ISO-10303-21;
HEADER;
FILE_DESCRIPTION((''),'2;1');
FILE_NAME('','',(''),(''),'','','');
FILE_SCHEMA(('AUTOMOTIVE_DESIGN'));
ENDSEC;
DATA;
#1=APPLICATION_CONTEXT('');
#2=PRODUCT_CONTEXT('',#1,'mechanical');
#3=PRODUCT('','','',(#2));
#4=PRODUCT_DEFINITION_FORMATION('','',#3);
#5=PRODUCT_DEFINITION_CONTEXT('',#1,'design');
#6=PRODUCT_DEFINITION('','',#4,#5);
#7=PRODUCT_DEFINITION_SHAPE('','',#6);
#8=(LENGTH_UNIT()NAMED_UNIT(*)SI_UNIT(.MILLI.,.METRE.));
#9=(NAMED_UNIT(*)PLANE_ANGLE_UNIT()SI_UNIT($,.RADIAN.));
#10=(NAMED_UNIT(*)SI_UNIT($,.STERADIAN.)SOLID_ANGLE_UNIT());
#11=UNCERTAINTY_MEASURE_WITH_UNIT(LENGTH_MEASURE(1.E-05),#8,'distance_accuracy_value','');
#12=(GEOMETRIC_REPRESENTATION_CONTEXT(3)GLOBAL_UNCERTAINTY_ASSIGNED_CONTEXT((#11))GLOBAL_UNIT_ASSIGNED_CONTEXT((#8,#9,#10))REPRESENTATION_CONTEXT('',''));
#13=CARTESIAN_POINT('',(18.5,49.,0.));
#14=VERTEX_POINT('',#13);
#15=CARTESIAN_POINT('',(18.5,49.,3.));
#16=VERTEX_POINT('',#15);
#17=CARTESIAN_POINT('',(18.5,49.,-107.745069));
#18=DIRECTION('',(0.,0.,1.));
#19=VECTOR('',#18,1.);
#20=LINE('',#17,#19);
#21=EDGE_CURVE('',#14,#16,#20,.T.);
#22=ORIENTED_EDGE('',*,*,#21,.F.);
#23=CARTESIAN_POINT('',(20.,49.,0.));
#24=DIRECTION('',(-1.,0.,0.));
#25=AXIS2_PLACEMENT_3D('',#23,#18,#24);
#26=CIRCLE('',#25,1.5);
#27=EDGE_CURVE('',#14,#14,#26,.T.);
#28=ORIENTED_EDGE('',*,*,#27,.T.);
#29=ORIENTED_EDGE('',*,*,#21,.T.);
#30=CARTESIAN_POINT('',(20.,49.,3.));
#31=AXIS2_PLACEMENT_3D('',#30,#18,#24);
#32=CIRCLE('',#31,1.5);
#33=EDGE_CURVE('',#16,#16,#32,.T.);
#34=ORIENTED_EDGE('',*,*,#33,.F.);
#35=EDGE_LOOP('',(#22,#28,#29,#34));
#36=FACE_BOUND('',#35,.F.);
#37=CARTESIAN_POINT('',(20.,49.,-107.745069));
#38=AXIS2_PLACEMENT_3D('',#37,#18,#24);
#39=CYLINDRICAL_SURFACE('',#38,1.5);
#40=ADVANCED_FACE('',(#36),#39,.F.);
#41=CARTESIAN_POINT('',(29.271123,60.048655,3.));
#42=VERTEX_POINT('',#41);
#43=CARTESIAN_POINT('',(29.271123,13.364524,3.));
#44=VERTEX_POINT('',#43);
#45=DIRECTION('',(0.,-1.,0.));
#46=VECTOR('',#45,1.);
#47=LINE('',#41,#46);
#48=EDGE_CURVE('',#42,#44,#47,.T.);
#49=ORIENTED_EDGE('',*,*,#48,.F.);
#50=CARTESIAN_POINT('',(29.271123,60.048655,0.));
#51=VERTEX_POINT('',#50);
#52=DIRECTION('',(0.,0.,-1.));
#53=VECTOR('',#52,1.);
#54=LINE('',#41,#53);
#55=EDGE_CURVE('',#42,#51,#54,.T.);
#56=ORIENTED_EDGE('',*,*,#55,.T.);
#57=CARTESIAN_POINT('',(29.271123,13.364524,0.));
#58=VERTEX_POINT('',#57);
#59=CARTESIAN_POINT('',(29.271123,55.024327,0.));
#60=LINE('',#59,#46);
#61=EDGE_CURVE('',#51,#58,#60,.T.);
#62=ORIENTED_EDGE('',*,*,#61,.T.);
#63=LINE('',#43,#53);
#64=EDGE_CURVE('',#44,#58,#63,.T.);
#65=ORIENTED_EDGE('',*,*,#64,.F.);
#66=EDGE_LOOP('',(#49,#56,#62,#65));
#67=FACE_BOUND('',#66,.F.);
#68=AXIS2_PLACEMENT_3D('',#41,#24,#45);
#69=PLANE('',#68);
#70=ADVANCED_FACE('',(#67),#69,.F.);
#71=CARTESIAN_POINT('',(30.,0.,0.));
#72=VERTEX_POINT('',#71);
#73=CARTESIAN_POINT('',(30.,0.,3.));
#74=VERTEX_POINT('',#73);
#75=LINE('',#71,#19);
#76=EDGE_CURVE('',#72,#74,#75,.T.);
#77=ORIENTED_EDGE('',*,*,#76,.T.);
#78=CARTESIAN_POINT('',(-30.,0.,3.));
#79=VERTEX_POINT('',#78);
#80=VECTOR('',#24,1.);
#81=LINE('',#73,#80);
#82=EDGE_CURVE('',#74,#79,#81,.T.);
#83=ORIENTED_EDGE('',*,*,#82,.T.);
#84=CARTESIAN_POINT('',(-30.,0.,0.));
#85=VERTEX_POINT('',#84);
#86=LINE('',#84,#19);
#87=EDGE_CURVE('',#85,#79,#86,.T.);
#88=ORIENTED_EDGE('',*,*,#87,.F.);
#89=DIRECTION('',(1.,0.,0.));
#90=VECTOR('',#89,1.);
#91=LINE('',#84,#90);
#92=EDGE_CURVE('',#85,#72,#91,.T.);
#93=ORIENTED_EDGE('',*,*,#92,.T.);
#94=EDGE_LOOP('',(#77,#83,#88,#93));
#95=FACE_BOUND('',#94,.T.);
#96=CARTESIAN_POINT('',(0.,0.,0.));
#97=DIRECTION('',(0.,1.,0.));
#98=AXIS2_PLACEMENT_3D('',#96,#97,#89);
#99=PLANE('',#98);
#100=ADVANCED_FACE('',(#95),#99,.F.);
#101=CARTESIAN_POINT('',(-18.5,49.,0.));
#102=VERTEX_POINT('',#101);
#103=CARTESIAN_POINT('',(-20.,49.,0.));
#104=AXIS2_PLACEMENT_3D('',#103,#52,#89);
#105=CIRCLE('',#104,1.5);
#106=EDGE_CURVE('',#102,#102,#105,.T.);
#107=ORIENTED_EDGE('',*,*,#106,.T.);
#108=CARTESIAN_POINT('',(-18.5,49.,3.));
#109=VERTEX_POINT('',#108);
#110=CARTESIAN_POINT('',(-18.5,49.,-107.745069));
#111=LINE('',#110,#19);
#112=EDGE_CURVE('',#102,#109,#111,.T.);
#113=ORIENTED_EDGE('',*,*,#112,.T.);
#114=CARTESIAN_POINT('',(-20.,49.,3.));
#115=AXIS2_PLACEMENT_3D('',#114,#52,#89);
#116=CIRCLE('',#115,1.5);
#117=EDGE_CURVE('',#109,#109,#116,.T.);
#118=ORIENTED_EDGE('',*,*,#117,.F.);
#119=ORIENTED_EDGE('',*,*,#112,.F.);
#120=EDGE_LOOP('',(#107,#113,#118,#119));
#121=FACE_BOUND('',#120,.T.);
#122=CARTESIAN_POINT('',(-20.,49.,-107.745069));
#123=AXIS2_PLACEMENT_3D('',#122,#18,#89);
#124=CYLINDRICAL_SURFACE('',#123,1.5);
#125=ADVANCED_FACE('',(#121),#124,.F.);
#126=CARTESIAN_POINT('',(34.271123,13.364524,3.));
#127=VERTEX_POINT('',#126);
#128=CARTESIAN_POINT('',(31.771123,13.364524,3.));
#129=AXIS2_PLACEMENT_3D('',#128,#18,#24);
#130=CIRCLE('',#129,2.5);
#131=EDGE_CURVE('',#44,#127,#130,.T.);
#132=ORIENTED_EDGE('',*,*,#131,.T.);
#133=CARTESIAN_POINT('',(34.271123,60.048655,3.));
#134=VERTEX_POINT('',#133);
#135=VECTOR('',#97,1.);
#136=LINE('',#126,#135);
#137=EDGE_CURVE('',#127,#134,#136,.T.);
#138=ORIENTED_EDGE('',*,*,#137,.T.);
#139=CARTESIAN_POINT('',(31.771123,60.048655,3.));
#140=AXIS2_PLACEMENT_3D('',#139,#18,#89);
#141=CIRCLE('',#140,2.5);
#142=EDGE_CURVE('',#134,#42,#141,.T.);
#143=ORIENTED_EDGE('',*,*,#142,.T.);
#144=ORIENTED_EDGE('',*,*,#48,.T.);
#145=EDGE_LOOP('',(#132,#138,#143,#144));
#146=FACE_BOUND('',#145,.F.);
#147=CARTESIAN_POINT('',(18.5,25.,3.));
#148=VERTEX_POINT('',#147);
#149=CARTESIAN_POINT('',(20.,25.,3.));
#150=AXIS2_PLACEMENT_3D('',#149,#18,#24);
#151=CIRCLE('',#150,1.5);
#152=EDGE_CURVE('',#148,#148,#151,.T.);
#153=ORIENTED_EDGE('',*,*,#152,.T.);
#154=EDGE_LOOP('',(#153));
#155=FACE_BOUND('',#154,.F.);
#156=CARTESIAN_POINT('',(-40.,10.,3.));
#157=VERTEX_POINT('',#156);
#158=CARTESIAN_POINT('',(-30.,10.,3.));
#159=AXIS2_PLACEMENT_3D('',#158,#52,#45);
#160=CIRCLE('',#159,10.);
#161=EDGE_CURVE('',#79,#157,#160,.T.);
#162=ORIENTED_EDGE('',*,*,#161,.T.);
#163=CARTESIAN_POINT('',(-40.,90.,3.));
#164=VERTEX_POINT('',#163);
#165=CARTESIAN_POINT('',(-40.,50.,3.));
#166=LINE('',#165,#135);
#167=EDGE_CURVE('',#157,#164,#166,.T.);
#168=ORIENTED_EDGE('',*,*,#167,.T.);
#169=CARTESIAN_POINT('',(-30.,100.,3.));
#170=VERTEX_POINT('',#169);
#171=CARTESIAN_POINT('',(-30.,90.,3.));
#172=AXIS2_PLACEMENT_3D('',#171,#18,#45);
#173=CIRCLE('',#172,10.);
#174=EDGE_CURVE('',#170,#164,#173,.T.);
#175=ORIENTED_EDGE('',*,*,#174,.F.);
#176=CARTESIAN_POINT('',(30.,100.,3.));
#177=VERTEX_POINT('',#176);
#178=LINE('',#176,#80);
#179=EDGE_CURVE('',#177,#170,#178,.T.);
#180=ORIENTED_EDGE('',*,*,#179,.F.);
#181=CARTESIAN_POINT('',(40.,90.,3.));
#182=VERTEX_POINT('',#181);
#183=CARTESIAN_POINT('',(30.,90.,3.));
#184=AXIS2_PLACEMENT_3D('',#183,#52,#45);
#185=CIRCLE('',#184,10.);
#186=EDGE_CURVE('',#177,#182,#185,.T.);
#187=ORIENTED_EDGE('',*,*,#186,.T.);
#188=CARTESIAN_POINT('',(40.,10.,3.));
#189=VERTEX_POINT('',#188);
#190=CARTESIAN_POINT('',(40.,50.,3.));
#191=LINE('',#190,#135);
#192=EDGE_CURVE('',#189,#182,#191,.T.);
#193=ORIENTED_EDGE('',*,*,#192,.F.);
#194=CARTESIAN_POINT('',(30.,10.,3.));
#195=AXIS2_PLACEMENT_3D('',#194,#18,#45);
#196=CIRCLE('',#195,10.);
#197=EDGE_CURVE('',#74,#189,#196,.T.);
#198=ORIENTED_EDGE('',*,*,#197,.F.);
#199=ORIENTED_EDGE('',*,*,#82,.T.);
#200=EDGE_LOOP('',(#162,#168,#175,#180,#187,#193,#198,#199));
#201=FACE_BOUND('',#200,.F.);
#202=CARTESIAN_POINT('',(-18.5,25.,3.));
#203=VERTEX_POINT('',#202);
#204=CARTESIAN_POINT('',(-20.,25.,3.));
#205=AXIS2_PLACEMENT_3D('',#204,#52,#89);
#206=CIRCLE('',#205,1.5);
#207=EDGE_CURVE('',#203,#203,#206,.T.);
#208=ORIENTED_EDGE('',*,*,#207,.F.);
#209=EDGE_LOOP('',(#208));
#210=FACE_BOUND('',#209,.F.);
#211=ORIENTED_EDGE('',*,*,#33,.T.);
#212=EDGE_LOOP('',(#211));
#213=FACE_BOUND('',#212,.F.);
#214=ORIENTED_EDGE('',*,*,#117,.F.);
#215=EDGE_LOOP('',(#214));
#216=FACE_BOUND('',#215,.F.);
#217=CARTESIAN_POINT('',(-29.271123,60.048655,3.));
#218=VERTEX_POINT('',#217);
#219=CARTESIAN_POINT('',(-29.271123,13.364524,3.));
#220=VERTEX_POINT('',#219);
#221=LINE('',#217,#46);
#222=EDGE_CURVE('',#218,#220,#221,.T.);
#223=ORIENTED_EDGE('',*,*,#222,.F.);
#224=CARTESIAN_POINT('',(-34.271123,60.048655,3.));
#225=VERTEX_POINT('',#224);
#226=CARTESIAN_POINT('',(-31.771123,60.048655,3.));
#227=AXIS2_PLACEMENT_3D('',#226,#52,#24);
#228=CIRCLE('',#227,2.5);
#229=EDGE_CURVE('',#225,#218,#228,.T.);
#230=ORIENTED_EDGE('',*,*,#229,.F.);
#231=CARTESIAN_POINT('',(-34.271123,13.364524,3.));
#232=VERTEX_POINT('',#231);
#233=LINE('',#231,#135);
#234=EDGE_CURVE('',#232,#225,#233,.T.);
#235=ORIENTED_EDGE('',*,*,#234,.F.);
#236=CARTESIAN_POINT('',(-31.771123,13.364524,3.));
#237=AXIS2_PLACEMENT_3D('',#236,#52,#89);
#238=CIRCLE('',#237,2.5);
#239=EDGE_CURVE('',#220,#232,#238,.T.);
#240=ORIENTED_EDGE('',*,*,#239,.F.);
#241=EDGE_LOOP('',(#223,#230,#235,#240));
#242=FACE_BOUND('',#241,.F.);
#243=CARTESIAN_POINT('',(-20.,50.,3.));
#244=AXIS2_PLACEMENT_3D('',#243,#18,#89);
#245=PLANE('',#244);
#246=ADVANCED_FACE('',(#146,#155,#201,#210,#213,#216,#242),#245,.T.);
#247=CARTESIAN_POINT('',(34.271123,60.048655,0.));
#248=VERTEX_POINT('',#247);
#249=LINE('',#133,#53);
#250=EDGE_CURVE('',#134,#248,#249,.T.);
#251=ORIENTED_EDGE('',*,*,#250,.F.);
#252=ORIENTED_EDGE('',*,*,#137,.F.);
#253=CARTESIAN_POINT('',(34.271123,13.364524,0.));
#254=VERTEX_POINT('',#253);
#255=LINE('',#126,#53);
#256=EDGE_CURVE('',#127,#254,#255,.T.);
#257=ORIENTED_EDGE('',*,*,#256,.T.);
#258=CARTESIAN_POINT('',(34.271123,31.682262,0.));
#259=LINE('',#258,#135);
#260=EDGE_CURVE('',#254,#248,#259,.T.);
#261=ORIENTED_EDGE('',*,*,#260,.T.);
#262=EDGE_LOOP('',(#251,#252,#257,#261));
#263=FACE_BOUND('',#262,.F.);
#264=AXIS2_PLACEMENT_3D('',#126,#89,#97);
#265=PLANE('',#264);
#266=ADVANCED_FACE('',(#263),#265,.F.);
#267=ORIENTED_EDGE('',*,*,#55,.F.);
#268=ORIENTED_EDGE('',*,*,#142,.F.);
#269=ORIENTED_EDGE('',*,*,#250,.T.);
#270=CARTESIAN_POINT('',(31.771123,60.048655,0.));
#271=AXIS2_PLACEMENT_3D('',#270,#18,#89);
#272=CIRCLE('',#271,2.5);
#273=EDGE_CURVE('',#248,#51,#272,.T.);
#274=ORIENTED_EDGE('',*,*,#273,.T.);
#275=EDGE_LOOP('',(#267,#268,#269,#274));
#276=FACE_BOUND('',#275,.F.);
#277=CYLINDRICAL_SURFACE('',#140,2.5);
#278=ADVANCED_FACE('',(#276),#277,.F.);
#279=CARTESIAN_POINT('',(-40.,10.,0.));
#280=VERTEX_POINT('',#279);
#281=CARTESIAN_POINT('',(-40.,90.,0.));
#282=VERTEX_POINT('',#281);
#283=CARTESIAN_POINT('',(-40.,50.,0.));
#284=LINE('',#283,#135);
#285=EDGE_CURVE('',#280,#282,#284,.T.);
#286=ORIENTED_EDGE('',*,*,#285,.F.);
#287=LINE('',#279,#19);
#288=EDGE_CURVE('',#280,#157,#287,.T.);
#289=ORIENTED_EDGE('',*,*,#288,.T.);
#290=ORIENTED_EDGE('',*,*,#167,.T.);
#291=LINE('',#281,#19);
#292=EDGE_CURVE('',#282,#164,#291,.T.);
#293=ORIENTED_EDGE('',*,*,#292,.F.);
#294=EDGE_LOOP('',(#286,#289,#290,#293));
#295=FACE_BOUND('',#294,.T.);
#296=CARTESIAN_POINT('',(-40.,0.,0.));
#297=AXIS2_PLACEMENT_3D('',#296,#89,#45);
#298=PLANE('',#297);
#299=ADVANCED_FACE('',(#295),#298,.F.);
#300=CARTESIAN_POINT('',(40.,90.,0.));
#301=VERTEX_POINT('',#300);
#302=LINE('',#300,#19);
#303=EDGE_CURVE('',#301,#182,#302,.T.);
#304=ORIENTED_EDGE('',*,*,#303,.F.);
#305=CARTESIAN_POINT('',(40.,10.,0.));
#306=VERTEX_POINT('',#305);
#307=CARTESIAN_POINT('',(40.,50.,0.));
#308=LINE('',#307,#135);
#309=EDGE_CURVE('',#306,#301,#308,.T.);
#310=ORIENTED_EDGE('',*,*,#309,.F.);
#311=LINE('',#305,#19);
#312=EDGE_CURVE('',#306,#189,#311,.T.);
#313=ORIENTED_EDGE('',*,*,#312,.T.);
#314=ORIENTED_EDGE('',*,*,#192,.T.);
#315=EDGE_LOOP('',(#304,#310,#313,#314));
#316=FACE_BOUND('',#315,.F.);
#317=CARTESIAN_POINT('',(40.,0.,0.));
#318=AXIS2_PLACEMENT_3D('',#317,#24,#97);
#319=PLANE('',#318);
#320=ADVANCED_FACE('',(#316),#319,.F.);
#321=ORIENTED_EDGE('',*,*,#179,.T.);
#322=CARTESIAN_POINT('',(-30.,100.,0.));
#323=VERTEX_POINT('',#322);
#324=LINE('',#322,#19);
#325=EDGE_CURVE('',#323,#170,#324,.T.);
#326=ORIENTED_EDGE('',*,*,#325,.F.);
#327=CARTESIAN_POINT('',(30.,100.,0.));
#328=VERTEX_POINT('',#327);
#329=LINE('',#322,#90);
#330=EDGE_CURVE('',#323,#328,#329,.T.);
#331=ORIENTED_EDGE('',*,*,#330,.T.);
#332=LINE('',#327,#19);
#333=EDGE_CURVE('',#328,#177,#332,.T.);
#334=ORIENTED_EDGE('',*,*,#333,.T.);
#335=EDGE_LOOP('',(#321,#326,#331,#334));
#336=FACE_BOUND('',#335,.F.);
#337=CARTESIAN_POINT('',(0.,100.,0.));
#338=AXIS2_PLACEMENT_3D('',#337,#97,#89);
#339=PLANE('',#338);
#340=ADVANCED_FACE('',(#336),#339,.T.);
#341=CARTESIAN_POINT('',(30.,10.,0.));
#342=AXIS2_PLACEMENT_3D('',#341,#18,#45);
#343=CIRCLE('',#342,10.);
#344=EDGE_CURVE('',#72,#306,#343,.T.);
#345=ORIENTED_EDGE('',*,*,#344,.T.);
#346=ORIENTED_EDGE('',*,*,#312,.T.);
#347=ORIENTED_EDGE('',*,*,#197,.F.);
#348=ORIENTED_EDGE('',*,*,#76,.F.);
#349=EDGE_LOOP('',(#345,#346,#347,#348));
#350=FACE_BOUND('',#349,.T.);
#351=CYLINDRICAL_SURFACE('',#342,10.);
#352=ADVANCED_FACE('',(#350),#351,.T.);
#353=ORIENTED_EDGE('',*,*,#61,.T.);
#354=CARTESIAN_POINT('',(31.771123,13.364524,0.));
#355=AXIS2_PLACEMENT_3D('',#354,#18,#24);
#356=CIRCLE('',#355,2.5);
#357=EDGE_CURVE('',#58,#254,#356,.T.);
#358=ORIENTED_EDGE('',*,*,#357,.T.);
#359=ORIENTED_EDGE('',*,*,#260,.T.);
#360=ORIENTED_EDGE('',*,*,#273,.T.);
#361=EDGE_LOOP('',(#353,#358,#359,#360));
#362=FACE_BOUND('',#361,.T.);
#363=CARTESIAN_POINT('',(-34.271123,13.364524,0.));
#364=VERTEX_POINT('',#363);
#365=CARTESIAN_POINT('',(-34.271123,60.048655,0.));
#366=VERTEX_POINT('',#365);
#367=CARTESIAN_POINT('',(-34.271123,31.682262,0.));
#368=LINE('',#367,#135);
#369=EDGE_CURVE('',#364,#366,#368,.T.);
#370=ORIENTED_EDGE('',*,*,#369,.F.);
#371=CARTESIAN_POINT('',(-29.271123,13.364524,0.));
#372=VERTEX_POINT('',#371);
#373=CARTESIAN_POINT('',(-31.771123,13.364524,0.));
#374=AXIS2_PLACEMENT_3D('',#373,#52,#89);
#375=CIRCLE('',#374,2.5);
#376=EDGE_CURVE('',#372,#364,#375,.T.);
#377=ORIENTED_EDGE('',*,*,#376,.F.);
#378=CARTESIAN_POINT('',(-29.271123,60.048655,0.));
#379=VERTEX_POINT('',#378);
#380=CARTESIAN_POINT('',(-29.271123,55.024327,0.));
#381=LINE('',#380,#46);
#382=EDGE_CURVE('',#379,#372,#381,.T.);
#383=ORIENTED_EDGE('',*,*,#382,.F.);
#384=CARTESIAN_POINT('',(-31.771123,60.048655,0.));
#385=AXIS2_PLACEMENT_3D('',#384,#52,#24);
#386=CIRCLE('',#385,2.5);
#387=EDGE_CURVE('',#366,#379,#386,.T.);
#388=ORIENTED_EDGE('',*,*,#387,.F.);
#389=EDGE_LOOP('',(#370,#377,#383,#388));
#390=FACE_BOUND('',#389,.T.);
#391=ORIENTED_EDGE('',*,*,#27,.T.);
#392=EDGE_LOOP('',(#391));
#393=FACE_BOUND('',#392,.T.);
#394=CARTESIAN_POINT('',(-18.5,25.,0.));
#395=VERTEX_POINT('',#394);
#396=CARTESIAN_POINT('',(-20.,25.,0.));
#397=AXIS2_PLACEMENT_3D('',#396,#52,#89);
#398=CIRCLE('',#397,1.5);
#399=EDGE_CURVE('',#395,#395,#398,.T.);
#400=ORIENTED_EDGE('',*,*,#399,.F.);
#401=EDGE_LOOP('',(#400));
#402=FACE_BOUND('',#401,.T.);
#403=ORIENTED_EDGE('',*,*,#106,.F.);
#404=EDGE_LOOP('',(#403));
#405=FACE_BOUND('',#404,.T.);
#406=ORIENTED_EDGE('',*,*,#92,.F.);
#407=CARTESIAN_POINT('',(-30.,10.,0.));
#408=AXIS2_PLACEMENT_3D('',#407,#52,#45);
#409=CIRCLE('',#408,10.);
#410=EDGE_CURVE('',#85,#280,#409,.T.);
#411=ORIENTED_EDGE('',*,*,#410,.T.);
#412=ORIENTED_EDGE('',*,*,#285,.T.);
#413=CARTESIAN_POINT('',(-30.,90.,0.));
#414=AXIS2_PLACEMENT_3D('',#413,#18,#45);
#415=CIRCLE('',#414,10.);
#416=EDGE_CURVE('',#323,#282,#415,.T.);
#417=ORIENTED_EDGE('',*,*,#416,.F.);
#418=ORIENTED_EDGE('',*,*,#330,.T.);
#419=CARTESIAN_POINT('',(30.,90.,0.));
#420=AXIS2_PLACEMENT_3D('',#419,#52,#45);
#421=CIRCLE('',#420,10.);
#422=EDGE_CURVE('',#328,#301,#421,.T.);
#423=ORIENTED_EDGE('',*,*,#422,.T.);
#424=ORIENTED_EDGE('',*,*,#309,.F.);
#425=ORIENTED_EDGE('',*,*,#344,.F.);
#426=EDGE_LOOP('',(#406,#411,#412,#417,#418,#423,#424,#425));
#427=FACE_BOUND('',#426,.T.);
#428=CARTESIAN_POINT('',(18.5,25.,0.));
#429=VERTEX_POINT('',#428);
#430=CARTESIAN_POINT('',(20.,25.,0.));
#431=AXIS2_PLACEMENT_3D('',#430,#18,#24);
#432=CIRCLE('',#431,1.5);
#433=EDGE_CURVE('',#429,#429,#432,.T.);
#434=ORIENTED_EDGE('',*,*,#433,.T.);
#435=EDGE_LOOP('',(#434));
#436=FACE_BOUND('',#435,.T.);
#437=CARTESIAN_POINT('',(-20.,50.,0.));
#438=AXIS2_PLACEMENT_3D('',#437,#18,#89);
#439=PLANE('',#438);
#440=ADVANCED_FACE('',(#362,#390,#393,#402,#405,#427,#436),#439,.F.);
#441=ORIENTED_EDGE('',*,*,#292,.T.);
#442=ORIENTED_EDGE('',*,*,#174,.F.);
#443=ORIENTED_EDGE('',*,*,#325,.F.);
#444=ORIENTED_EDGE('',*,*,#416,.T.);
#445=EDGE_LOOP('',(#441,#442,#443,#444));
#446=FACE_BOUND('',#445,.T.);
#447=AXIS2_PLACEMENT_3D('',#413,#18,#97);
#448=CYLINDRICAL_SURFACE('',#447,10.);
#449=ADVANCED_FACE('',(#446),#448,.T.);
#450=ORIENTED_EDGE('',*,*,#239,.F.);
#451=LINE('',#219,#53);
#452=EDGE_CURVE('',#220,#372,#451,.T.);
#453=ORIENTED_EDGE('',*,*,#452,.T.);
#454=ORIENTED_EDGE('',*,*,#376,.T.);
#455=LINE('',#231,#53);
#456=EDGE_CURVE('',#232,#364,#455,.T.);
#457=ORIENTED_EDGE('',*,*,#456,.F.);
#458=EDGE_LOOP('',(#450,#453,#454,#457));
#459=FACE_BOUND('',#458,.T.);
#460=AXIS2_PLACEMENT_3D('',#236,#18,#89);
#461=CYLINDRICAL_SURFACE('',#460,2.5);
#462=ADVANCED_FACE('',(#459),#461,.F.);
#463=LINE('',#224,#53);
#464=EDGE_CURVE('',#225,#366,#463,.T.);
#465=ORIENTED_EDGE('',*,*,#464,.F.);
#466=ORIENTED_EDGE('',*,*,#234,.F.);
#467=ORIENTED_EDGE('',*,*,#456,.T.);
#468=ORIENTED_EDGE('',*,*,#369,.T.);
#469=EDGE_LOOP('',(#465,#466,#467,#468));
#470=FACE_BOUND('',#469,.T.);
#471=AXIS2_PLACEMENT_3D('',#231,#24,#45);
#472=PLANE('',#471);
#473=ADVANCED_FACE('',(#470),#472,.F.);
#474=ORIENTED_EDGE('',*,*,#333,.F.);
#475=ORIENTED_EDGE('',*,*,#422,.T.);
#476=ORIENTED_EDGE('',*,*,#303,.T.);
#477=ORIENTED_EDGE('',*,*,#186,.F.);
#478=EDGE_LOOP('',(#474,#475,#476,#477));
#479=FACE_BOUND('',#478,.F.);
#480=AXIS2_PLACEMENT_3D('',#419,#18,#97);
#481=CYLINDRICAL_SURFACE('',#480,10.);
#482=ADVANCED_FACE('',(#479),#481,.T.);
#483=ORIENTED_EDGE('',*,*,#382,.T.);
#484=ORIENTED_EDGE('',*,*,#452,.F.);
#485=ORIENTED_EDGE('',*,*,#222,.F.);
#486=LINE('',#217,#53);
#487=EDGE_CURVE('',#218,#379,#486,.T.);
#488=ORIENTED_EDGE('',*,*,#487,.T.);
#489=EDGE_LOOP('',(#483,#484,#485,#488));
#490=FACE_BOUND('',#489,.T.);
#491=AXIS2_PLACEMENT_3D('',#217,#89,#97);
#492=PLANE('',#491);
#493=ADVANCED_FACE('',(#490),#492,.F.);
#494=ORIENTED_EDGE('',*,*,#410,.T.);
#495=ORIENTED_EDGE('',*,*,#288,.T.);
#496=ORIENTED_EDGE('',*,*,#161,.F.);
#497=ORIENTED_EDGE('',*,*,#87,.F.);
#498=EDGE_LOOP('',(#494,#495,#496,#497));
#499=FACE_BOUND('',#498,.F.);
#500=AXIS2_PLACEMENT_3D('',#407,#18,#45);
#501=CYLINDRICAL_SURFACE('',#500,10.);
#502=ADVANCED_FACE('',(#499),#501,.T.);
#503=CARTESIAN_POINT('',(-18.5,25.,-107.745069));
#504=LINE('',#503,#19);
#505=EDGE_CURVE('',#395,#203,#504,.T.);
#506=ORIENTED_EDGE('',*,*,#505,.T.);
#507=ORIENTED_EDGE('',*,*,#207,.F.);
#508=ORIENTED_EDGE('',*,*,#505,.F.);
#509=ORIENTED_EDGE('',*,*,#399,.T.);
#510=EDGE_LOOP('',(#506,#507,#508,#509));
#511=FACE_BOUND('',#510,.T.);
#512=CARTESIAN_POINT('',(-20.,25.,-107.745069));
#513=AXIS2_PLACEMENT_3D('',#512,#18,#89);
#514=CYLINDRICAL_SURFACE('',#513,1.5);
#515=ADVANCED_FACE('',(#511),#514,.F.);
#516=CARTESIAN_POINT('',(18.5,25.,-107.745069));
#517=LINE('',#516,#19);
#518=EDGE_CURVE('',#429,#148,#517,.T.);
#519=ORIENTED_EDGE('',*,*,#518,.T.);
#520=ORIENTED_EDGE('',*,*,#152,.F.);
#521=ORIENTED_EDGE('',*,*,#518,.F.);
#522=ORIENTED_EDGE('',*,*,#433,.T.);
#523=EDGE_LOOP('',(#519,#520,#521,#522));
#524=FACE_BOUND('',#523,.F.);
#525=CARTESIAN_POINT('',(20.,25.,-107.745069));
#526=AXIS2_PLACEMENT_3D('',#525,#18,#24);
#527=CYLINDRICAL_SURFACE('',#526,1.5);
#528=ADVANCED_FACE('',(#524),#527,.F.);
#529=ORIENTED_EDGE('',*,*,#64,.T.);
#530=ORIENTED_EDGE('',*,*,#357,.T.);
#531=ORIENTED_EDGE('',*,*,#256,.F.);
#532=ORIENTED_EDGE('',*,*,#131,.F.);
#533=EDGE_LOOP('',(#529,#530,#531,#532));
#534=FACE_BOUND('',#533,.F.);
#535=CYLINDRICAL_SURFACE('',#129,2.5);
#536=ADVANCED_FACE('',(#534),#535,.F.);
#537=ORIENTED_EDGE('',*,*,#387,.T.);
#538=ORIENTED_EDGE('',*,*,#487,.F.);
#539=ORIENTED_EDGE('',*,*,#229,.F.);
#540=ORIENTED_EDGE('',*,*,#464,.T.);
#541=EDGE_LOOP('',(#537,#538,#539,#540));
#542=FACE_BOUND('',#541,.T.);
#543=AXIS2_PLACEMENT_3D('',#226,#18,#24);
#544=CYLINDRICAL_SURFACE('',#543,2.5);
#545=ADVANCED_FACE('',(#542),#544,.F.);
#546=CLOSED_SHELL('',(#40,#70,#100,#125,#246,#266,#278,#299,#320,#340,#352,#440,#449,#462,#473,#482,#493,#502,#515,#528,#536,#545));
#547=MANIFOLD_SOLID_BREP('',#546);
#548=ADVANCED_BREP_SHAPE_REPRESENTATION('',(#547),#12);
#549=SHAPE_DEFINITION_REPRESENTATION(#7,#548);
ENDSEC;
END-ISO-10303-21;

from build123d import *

# Parameters (mm, degrees)
F0_W     = 40
F0_H     = 100
F1_DEPTH = 3
F3_D     = 3
F5_DEPTH = 25
F6_R     = 10


with BuildPart() as f1:
    # F0 (on Top) → F1 (new body)
    with BuildSketch(Plane.XY):
        with Locations((20, 50)):
            Rectangle(F0_W, F0_H)
    extrude(amount=F1_DEPTH)

    # F3 (through all)
    with Locations(Plane(origin=(0, 0, 0), x_dir=(1, 0, 0), z_dir=(0, 0, -1))):
        with Locations((20, -49), (20, -25)):
            Hole(F3_D / 2)

    # F4 (on face) → F5 (cut)
    with BuildSketch(Plane.XY.offset(3)):
        with BuildLine():
            ThreePointArc((34.2711234093, 60.0486546755), (31.7711234093, 62.5486546755), (29.2711234093, 60.0486546755))
            Line((29.2711234093, 60.0486546755), (29.2711234093, 13.3645236492))
            ThreePointArc((29.2711234093, 13.3645236492), (31.7711234093, 10.8645236492), (34.2711234093, 13.3645236492))
            Line((34.2711234093, 13.3645236492), (34.2711234093, 60.0486546755))
        make_face()
    extrude(amount=-F5_DEPTH, mode=Mode.SUBTRACT)

    # F6
    f6_edges = [f1.edges().sort_by_distance(p)[0] for p in [
        (40, 100, 1.5),
        (40, 0, 1.5),
    ]]
    fillet(f6_edges, radius=F6_R)

    # F7: F1 across plane


with BuildPart() as f1_1:
    add(f1.part)
    add(f1.part.mirror(Plane.YZ))


solid = f1_1.part
